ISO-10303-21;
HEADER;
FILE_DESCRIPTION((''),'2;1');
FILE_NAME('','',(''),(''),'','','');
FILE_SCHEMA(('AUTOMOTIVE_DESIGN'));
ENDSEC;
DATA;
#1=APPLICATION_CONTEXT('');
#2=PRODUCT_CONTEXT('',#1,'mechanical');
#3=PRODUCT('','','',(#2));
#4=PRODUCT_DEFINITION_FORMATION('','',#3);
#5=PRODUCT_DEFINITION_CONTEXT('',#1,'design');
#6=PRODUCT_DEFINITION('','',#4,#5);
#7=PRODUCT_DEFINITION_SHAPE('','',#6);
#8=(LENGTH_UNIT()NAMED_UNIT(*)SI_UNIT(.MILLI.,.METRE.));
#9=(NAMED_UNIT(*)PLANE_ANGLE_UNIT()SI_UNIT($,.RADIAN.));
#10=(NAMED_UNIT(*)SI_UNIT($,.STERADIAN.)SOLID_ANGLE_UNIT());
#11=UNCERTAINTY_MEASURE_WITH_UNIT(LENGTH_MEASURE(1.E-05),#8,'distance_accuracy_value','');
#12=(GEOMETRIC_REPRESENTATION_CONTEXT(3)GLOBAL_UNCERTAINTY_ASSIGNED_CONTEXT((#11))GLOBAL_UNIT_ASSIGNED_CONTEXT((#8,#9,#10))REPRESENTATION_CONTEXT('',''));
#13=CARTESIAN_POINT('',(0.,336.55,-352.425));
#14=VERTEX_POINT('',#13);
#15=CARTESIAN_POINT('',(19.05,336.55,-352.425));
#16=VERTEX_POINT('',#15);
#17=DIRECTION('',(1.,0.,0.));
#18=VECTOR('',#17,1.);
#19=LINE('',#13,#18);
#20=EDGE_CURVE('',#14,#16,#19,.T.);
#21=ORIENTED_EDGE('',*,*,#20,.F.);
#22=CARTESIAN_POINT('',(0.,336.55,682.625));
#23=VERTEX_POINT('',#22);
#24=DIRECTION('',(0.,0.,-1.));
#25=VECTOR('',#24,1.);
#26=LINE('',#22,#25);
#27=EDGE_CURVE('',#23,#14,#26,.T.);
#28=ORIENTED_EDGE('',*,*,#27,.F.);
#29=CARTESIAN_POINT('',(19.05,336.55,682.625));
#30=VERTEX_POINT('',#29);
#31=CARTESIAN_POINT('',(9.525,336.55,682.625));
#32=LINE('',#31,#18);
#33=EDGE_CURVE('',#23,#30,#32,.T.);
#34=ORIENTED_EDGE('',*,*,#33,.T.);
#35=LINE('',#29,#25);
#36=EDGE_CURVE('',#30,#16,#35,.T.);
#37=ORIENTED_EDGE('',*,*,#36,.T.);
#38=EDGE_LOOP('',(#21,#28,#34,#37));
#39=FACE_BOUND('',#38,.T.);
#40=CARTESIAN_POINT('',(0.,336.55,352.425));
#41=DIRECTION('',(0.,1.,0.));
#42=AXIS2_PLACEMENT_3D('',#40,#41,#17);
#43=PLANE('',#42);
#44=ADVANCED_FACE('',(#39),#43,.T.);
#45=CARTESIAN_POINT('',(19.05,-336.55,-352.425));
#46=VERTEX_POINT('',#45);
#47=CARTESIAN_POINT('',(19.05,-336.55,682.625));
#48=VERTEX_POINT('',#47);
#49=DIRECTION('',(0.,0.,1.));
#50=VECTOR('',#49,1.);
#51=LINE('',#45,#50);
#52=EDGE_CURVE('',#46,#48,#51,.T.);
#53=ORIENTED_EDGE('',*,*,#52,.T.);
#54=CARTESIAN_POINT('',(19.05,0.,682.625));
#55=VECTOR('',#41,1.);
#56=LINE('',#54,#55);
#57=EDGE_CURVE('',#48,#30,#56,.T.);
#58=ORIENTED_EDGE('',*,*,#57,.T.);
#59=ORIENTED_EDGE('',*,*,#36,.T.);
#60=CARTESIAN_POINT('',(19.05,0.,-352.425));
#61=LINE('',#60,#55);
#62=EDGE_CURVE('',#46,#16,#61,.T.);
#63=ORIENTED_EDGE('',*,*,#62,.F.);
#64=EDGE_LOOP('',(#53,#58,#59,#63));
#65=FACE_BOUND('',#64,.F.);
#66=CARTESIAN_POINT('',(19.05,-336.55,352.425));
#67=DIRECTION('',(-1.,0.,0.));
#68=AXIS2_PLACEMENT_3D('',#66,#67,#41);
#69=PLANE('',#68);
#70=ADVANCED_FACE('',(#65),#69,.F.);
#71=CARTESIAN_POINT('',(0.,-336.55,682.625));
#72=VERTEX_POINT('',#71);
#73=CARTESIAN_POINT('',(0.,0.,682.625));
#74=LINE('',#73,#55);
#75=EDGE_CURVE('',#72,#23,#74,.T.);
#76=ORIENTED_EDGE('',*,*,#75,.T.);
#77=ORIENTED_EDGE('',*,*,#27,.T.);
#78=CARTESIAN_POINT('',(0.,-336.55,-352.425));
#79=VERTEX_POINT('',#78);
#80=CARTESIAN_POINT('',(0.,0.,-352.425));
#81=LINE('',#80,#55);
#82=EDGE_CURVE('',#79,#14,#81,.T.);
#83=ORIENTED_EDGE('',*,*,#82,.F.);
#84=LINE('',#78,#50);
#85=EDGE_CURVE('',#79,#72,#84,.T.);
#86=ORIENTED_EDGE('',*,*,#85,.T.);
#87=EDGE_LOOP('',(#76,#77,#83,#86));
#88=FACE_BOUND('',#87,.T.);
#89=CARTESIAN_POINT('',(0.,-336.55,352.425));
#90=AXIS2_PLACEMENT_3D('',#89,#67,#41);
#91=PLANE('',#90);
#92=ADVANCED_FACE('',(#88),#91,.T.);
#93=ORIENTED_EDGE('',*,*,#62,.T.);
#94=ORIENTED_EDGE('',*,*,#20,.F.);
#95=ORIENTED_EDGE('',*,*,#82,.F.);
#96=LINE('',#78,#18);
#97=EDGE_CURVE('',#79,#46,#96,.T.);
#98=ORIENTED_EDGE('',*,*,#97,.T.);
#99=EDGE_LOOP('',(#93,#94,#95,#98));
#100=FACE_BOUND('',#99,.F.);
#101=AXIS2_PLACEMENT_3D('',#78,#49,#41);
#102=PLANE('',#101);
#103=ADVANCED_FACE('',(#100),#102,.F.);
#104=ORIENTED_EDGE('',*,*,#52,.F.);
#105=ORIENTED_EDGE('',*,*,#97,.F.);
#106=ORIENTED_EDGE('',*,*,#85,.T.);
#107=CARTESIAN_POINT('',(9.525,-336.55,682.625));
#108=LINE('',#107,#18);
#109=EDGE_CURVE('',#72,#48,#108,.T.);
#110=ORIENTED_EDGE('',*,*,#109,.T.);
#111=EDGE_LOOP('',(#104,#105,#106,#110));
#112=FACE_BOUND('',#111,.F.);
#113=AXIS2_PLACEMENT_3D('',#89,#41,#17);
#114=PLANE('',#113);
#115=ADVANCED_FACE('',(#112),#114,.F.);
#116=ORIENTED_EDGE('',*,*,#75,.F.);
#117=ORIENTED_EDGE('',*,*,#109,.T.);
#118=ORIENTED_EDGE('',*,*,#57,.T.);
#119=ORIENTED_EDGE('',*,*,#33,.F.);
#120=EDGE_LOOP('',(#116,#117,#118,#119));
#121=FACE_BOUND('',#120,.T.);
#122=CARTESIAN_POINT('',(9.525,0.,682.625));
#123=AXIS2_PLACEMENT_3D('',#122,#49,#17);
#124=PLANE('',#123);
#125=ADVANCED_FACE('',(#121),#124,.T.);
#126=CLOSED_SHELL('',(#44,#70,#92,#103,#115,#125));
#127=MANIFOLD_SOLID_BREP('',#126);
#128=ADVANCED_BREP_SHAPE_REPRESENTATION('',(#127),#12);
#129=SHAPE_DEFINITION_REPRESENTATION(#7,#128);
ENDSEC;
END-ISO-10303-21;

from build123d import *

# Parameters (mm, degrees)
F0_W      = 673.1
F0_H      = 704.85
F1_DEPTH  = 19.05
F1_FACE_W = 19.05
F1_FACE_H = 673.1
F2_DEPTH  = 330.2


with BuildPart() as f1:
    # F0 (on Right) → F1 (new body)
    with BuildSketch(Plane.YZ):
        Rectangle(F0_W, F0_H)
    extrude(amount=F1_DEPTH)

    # F1_face (on face) → F2 (join)
    with BuildSketch(Plane(origin=(9.525, 0, 352.425), x_dir=(1, 0, 0), z_dir=(0, 0, 1))):
        Rectangle(F1_FACE_W, F1_FACE_H)
    extrude(amount=F2_DEPTH)


solid = f1.part
